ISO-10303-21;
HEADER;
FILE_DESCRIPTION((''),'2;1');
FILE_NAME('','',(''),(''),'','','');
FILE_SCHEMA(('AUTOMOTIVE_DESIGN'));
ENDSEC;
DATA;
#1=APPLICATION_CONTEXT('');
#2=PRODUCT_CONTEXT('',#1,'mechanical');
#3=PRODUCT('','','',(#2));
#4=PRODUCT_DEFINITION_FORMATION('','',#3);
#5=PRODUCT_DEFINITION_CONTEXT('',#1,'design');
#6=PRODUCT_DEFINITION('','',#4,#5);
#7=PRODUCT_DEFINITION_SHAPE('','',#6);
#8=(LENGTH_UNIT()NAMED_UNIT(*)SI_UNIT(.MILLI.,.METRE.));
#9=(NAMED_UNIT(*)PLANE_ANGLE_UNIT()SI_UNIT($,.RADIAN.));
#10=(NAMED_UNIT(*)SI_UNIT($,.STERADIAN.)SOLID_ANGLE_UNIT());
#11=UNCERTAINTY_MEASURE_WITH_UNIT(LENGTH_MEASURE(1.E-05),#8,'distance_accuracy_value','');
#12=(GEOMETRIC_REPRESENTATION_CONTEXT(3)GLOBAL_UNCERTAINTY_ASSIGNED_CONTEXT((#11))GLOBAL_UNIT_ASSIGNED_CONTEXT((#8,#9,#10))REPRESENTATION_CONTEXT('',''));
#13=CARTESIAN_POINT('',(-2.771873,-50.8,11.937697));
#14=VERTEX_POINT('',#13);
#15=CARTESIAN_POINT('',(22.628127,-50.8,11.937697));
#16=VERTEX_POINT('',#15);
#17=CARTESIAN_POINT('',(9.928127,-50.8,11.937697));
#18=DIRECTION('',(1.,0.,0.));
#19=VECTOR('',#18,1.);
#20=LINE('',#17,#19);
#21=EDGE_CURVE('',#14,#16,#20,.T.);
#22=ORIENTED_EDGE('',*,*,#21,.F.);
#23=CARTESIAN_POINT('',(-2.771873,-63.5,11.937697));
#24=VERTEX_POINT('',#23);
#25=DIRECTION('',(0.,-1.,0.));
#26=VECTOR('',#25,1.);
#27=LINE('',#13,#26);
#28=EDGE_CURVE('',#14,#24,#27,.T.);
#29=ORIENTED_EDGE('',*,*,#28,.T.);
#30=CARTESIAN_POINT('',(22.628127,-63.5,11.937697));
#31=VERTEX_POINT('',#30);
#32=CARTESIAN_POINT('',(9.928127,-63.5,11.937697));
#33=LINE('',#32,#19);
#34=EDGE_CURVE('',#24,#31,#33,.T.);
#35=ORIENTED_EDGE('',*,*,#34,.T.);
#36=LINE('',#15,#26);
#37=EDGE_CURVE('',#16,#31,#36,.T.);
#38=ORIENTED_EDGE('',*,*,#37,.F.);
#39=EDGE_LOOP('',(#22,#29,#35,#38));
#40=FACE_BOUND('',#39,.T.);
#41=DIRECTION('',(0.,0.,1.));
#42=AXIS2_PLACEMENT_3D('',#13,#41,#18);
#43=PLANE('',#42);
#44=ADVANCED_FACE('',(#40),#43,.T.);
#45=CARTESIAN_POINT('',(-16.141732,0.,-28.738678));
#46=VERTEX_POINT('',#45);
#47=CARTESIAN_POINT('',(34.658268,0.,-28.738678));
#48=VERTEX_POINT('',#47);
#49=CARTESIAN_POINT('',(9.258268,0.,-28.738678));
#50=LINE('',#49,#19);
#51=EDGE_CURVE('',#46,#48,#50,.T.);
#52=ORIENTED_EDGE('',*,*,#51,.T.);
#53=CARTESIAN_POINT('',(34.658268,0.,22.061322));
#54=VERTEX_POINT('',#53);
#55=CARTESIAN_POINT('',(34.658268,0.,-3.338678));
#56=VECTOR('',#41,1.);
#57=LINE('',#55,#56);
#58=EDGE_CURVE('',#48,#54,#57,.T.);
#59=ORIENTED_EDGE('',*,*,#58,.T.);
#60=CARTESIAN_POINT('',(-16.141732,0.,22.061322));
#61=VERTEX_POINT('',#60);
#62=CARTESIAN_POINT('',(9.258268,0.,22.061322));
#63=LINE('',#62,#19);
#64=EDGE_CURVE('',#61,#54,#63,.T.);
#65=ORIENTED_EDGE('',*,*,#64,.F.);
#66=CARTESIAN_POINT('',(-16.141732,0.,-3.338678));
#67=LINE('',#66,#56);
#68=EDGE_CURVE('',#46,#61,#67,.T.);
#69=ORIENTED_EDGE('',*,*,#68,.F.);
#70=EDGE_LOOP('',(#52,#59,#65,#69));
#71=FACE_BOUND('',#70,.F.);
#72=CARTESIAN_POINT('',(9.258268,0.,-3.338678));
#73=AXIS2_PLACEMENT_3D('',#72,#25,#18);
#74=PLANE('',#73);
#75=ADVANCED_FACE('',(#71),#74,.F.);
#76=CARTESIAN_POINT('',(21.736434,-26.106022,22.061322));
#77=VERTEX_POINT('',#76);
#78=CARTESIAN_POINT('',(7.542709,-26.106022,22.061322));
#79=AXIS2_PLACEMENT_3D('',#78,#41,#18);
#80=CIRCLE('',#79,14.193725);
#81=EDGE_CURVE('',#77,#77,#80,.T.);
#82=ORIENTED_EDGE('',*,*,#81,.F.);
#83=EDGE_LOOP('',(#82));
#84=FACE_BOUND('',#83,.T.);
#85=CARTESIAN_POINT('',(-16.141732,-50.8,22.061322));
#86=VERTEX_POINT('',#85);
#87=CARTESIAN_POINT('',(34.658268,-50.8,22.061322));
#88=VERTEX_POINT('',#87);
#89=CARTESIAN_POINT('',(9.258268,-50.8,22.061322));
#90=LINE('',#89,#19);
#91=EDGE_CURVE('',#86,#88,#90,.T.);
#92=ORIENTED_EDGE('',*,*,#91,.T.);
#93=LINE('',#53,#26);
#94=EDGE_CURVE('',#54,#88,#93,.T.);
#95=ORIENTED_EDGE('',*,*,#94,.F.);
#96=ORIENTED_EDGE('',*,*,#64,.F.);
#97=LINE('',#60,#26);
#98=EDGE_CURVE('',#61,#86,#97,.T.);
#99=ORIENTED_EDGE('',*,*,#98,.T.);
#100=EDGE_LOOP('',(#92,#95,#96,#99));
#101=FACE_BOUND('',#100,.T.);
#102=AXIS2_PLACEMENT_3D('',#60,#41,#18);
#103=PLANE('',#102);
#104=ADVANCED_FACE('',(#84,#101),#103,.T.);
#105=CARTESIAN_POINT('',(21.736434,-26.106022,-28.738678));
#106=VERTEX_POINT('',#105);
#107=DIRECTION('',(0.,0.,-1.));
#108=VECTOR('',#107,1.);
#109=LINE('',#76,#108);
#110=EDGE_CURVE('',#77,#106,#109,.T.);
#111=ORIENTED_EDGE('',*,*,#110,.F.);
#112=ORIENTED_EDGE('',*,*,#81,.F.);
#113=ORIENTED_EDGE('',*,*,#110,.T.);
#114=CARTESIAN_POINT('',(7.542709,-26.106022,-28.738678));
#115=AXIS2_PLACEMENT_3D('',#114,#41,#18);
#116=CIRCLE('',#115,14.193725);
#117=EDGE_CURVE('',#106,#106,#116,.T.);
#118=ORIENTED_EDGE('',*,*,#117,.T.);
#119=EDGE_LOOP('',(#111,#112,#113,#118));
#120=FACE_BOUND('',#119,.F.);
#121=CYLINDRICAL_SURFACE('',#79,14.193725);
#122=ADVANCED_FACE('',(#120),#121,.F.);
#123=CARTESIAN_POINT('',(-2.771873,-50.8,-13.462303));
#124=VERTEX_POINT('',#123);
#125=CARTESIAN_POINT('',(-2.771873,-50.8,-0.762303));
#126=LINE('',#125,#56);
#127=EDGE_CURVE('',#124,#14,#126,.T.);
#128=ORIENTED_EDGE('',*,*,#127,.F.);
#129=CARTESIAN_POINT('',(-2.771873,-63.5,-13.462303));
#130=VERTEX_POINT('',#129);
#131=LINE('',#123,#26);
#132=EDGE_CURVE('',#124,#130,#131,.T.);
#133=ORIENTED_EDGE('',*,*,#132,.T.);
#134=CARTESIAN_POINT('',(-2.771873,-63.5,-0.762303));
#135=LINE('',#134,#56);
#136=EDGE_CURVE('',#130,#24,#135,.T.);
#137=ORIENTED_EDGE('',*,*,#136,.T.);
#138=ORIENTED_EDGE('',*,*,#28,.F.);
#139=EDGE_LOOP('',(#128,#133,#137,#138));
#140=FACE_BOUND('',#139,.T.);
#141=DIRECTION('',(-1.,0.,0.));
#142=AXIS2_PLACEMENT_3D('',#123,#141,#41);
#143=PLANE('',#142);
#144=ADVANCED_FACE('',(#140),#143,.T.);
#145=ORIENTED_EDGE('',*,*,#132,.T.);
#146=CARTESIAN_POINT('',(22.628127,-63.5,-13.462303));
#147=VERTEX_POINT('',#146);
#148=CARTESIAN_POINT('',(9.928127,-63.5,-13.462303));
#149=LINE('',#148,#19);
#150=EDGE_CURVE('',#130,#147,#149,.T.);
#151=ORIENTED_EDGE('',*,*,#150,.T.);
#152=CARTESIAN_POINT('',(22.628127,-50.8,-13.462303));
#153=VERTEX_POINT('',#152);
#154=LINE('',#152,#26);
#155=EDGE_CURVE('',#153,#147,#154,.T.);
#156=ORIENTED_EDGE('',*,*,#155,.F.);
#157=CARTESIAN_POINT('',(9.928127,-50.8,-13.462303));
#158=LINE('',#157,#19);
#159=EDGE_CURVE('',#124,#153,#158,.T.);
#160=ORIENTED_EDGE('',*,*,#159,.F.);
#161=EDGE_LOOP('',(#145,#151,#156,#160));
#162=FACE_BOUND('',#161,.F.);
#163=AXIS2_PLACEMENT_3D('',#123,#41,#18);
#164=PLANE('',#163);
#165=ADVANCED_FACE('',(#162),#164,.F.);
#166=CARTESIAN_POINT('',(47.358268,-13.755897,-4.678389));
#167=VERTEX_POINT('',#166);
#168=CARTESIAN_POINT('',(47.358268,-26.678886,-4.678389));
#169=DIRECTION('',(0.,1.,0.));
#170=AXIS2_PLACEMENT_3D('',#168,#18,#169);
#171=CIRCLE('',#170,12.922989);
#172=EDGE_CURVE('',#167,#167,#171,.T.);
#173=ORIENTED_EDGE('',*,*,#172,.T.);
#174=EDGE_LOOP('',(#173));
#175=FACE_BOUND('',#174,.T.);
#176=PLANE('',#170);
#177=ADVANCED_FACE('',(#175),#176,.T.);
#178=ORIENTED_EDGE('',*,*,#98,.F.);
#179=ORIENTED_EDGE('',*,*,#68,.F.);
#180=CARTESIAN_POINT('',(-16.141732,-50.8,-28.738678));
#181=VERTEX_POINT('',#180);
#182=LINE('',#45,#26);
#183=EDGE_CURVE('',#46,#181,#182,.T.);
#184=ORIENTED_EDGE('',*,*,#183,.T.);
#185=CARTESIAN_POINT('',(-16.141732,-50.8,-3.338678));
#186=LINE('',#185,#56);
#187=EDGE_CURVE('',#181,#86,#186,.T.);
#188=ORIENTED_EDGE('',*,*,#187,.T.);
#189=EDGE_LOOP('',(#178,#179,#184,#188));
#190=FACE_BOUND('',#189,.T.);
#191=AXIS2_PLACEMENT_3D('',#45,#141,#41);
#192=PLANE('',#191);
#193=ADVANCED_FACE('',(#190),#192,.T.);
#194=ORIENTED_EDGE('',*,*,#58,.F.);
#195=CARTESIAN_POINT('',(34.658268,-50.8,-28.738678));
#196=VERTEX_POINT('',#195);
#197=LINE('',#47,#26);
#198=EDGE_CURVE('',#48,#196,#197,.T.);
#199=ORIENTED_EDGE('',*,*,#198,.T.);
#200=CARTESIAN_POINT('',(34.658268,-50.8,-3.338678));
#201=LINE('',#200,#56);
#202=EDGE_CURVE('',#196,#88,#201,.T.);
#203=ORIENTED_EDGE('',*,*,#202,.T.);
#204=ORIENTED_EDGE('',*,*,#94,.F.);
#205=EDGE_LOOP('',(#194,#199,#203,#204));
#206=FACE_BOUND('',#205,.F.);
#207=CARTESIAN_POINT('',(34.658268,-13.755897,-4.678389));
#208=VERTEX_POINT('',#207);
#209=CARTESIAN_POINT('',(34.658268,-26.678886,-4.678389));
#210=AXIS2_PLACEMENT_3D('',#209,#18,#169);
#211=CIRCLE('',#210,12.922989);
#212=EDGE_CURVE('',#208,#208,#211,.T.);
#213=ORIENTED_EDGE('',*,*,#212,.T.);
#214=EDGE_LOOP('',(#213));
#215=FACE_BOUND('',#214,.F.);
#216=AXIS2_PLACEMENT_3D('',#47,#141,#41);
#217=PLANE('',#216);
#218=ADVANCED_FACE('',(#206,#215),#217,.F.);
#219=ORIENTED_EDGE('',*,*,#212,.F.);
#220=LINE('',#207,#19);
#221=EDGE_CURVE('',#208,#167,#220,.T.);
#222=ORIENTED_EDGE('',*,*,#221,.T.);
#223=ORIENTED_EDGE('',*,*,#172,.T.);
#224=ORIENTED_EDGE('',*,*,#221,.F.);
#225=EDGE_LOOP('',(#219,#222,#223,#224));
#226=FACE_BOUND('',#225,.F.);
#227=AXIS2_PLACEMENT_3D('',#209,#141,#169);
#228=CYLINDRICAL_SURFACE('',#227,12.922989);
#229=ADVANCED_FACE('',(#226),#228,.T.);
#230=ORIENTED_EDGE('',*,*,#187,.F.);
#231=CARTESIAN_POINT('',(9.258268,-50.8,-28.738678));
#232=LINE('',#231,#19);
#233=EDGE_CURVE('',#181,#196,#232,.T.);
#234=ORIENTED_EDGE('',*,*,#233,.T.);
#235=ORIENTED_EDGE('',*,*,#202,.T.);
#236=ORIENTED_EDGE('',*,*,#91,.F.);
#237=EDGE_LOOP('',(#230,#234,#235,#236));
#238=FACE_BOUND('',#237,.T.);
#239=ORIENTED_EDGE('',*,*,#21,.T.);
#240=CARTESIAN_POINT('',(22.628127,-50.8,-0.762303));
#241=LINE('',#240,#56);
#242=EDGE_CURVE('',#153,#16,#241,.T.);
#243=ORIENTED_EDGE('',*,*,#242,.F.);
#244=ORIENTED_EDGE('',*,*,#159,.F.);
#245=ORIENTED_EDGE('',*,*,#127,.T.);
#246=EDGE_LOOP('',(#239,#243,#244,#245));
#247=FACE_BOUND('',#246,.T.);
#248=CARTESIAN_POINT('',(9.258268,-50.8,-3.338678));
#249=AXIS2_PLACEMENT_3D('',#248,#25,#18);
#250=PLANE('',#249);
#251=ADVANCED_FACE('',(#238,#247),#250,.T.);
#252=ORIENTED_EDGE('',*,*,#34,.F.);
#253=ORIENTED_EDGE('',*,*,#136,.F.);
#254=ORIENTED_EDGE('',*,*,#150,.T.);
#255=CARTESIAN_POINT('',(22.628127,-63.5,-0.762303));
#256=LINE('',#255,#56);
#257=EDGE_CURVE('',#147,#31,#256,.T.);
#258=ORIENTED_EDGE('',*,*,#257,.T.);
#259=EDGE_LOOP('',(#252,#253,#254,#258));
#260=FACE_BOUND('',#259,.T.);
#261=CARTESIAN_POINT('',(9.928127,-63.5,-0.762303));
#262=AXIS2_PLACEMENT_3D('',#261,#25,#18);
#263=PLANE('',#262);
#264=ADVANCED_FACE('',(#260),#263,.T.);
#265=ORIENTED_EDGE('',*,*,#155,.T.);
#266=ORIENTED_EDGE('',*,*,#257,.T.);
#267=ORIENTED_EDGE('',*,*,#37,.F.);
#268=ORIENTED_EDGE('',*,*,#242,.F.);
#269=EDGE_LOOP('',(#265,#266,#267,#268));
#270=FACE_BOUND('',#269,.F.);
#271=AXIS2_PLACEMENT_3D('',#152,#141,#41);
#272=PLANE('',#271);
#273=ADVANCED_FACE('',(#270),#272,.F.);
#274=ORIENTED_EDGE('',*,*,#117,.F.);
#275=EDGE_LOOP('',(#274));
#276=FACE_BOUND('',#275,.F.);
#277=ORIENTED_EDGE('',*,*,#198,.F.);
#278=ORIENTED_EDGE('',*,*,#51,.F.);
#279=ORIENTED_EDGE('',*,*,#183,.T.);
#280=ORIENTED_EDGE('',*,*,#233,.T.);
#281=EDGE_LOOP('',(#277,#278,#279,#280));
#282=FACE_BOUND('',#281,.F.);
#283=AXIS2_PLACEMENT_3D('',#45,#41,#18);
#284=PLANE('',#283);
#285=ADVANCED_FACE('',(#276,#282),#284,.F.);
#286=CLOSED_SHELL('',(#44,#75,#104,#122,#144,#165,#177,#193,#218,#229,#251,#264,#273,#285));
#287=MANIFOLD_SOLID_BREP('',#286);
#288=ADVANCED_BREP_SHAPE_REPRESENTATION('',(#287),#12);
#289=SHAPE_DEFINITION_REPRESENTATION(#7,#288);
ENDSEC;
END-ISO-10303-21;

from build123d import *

# Parameters (mm, degrees)
F0_W     = 50.8
F0_H     = 50.8
F1_DEPTH = 50.8
F2_W     = 25.4
F2_H     = 25.4
F3_DEPTH = 12.7
F4_R     = 12.922989
F5_DEPTH = 12.7
F6_R     = 14.193725
F7_DEPTH = 50.8


with BuildPart() as f1:
    # F0 (on Front) → F1 (new body)
    with BuildSketch(Plane.XZ):
        with Locations((9.258268, -3.338678)):
            Rectangle(F0_W, F0_H)
    extrude(amount=F1_DEPTH)

    # F2 (on face) → F3 (join)
    with BuildSketch(Plane.XZ.offset(50.8)):
        with Locations((9.928127, -0.762303)):
            Rectangle(F2_W, F2_H)
    extrude(amount=F3_DEPTH)

    # F4 (on face) → F5 (join)
    with BuildSketch(Plane.YZ.offset(34.658268)):
        with Locations((-26.678886, -4.678389)):
            Circle(F4_R)
    extrude(amount=F5_DEPTH)

    # F6 (on face) → F7 (cut)
    with BuildSketch(Plane.XY.offset(22.061322)):
        with Locations((7.542709, -26.106022)):
            Circle(F6_R)
    extrude(amount=-F7_DEPTH, mode=Mode.SUBTRACT)


solid = f1.part
